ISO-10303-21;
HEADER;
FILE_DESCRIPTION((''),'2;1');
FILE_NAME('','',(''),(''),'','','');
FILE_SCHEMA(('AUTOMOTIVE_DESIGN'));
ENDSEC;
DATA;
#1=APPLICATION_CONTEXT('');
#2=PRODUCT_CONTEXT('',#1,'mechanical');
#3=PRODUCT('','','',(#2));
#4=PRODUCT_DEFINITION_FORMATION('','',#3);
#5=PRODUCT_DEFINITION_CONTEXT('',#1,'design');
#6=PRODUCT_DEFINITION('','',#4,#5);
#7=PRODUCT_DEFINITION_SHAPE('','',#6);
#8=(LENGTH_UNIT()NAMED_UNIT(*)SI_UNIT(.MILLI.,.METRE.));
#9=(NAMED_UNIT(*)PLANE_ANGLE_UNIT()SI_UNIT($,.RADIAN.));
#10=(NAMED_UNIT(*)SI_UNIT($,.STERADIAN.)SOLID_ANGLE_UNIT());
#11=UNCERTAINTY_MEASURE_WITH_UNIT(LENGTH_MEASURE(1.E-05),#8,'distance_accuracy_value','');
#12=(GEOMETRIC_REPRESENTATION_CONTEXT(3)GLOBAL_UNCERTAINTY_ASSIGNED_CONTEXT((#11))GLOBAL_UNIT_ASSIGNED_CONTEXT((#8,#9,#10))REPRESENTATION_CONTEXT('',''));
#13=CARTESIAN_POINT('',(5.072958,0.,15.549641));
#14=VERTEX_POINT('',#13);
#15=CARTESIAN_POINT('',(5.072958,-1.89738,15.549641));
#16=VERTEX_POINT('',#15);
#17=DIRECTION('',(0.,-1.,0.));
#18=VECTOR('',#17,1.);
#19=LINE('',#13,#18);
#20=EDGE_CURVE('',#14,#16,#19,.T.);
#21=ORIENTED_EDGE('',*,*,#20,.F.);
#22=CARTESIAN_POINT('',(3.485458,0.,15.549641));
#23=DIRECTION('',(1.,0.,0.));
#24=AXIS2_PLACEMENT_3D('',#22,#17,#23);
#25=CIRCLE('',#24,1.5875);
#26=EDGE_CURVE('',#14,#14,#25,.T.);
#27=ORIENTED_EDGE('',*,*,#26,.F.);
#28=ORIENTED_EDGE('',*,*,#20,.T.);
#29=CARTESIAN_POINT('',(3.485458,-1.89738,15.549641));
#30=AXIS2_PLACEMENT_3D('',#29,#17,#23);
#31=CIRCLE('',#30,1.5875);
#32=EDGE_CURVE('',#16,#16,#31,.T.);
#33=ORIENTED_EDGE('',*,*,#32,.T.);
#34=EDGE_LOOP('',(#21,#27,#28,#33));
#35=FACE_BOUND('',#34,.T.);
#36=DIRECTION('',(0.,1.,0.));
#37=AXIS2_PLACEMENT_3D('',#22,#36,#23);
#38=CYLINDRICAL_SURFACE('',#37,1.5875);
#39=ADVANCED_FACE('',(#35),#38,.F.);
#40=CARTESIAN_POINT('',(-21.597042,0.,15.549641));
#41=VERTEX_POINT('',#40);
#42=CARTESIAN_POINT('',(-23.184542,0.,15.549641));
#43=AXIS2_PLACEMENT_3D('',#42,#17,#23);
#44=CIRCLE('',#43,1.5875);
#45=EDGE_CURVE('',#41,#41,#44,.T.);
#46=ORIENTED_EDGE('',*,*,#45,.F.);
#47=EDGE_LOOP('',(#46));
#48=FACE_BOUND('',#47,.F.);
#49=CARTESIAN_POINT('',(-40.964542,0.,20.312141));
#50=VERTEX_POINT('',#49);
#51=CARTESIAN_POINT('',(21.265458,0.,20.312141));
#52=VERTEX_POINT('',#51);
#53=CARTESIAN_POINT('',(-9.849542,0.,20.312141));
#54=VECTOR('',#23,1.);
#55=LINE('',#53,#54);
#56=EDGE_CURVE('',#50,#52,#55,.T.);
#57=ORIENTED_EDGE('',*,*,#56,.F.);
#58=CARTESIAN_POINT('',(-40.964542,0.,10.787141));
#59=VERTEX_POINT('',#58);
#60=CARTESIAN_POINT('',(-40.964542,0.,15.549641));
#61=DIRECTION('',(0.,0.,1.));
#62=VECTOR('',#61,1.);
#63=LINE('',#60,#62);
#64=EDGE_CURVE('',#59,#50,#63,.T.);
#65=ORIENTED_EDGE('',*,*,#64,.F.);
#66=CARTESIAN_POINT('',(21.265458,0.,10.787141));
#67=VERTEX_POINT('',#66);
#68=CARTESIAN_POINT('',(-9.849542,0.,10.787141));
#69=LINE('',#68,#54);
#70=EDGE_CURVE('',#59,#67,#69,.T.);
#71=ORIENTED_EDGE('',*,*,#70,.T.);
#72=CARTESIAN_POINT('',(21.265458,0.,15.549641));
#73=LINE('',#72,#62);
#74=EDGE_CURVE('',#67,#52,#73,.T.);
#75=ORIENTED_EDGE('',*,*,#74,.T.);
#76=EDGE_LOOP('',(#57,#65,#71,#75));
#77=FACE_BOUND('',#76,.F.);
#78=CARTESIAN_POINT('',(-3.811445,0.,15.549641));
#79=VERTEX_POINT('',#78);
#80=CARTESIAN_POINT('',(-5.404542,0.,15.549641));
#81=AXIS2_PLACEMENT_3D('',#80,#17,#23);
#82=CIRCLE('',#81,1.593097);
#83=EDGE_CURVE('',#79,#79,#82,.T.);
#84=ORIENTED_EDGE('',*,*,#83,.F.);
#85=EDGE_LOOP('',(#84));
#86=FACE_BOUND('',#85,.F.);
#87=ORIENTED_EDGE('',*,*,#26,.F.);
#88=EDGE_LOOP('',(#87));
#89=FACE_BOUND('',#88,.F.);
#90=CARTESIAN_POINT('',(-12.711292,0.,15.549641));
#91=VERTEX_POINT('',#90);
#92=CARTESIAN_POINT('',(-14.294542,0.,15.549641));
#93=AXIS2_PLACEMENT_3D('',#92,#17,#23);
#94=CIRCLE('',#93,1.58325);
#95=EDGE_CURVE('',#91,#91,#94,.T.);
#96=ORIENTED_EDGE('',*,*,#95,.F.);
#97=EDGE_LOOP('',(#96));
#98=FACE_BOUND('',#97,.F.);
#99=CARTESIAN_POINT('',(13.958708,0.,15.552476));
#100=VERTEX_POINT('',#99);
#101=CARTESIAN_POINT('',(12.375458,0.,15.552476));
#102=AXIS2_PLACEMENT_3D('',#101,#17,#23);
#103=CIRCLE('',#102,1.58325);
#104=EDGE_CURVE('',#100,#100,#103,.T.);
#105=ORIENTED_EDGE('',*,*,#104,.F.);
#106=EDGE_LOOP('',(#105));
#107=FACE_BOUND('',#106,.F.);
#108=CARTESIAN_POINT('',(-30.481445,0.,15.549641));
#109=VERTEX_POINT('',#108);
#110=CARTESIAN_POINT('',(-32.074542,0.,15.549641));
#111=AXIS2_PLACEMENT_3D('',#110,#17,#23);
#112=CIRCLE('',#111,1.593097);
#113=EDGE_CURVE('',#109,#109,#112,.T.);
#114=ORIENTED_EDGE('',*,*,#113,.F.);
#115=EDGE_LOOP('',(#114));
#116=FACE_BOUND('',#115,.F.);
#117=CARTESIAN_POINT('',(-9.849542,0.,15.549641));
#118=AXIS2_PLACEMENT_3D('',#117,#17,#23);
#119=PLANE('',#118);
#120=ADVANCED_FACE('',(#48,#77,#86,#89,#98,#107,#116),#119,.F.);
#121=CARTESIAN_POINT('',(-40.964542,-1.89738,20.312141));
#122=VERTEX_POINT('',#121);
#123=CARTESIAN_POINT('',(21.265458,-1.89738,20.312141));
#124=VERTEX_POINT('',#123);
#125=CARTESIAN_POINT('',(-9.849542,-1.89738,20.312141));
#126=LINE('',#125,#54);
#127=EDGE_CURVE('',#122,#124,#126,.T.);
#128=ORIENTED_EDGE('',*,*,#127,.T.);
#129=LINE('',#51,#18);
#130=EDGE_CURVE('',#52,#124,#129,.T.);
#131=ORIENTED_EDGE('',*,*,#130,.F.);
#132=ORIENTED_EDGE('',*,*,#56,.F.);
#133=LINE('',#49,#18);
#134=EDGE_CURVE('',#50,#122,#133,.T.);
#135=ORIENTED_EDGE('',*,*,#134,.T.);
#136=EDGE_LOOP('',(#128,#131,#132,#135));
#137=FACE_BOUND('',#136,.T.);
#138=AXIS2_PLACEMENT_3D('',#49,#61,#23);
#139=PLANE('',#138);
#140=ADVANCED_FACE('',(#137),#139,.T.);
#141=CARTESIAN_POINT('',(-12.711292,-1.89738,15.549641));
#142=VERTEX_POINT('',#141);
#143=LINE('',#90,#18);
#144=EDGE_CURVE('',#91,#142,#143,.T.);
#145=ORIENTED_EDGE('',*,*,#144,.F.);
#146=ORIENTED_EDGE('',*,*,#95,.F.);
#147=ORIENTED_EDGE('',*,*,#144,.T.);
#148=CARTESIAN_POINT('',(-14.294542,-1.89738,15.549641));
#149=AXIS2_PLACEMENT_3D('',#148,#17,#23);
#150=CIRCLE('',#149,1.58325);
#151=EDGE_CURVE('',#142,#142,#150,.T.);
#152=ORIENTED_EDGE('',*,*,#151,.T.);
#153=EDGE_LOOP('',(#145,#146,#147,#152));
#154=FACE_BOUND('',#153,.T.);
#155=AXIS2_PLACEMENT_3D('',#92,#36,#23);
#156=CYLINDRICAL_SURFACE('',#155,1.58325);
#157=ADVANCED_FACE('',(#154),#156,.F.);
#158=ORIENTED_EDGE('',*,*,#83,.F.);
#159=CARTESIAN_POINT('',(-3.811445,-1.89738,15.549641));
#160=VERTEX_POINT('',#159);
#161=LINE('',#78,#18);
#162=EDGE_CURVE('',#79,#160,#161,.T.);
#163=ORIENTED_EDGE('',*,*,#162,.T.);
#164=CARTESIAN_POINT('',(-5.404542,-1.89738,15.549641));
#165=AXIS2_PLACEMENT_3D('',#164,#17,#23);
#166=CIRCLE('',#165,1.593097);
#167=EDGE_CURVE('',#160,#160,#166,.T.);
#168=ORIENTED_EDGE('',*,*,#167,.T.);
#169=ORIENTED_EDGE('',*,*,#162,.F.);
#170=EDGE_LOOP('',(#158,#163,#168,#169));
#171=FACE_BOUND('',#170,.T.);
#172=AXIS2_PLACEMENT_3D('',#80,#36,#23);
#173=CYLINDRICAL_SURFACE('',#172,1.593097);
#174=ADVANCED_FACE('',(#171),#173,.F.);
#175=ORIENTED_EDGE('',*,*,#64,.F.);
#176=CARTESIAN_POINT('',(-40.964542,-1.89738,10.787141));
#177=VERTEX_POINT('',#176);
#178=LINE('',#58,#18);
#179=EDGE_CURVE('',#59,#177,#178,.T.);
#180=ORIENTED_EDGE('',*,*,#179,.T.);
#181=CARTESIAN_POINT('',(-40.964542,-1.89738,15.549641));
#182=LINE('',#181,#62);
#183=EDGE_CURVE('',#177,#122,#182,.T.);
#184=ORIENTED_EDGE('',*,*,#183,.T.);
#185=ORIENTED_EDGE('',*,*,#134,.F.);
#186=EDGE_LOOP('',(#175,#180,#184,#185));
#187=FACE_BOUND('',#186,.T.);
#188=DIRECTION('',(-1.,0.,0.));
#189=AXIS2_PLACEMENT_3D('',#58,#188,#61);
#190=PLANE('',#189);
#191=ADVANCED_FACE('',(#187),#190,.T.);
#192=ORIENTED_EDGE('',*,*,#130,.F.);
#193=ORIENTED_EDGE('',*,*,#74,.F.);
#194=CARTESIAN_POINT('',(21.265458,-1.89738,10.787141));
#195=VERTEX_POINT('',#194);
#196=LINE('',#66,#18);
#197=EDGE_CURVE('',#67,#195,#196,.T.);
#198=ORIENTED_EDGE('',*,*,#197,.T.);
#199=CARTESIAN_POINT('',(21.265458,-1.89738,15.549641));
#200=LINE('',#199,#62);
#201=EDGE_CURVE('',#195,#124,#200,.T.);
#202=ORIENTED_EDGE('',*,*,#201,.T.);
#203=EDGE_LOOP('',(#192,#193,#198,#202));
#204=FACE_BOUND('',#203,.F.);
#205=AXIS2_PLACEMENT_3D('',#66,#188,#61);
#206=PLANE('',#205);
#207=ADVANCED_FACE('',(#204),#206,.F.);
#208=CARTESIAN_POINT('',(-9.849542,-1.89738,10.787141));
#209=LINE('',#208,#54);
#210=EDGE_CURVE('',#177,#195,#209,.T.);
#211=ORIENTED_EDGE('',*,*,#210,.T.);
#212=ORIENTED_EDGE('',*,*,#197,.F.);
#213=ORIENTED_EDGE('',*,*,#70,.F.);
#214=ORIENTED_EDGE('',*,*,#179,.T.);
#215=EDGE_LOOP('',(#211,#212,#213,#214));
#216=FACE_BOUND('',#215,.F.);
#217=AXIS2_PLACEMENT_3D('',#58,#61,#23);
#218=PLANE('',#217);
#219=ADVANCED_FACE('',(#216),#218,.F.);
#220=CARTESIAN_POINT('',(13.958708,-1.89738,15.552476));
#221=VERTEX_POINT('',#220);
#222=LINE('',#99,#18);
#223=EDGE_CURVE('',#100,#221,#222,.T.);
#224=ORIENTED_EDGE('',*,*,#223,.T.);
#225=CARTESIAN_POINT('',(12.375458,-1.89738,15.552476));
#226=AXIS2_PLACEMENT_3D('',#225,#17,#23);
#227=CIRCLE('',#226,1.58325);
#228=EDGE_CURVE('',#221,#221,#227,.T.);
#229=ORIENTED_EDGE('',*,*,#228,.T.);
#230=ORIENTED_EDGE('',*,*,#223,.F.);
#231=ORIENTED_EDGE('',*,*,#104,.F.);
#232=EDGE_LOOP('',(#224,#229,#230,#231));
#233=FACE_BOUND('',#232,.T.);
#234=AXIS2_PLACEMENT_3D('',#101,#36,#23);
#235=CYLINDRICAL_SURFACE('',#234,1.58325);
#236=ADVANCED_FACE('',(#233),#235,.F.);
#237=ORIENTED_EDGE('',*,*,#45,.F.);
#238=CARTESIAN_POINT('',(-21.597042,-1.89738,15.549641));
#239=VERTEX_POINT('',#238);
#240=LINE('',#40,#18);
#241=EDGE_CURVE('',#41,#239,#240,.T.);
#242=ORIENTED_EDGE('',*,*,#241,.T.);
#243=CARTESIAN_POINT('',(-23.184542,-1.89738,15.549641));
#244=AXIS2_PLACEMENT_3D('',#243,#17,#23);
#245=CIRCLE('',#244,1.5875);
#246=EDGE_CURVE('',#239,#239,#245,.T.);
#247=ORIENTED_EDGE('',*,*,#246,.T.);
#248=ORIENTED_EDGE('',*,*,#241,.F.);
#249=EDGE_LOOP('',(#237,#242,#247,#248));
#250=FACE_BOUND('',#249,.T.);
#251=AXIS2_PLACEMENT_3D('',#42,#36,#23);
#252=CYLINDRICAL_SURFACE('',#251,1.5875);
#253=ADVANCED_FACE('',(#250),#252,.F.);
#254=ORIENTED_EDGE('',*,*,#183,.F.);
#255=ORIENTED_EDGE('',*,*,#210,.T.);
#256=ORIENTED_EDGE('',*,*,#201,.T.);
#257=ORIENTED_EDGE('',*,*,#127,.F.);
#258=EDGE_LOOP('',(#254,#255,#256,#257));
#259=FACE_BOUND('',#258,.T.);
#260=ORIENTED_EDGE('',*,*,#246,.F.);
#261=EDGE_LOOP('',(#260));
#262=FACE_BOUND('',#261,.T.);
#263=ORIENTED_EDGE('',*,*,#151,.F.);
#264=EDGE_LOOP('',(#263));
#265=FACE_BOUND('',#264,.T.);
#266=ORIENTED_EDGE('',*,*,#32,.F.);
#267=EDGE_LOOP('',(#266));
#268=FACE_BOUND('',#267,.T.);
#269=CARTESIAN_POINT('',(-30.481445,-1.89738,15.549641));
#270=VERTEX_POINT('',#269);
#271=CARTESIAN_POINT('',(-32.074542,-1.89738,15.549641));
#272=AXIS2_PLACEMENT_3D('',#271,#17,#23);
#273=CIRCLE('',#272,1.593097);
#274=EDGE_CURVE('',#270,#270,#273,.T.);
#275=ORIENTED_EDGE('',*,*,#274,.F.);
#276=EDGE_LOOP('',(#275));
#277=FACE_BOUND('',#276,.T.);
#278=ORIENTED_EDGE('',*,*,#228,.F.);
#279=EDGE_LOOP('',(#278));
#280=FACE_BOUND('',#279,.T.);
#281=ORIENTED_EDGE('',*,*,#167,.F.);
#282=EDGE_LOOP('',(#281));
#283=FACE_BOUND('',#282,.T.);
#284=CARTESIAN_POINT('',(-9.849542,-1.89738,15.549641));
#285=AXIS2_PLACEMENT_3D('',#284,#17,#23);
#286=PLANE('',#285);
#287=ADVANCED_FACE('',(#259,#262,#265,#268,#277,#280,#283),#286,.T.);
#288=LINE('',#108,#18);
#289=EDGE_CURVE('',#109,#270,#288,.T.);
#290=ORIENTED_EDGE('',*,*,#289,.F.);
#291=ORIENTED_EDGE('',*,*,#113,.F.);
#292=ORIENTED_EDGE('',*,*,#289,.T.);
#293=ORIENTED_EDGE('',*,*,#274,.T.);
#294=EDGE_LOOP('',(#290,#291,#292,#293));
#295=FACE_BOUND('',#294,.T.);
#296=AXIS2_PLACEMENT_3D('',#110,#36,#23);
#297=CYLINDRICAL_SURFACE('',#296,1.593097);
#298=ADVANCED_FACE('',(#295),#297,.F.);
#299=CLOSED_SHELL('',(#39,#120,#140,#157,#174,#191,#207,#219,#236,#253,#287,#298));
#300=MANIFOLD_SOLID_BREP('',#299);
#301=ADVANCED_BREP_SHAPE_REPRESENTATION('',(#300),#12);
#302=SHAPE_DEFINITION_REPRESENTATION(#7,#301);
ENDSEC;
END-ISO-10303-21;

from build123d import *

# Parameters (mm, degrees)
F0_W     = 62.23
F0_H     = 9.525
F0_R     = 1.593097
F0_R_2   = 1.5875
F0_R_3   = 1.58325
F1_DEPTH = 1.89738


with BuildPart() as f1:
    # F0 (on Front) → F1 (new body)
    with BuildSketch(Plane.XZ):
        with Locations((-9.849542, 15.549641)):
            Rectangle(F0_W, F0_H)
        with Locations((-32.074542, 15.549641)):
            Circle(F0_R, mode=Mode.SUBTRACT)
        with Locations((-23.184542, 15.549641)):
            Circle(F0_R_2, mode=Mode.SUBTRACT)
        with Locations((-14.294542, 15.549641)):
            Circle(F0_R_3, mode=Mode.SUBTRACT)
        with Locations((-5.404542, 15.549641)):
            Circle(F0_R, mode=Mode.SUBTRACT)
        with Locations((3.485458, 15.549641)):
            Circle(F0_R_2, mode=Mode.SUBTRACT)
        with Locations((12.375458, 15.552476)):
            Circle(F0_R_3, mode=Mode.SUBTRACT)
    extrude(amount=F1_DEPTH)


solid = f1.part
